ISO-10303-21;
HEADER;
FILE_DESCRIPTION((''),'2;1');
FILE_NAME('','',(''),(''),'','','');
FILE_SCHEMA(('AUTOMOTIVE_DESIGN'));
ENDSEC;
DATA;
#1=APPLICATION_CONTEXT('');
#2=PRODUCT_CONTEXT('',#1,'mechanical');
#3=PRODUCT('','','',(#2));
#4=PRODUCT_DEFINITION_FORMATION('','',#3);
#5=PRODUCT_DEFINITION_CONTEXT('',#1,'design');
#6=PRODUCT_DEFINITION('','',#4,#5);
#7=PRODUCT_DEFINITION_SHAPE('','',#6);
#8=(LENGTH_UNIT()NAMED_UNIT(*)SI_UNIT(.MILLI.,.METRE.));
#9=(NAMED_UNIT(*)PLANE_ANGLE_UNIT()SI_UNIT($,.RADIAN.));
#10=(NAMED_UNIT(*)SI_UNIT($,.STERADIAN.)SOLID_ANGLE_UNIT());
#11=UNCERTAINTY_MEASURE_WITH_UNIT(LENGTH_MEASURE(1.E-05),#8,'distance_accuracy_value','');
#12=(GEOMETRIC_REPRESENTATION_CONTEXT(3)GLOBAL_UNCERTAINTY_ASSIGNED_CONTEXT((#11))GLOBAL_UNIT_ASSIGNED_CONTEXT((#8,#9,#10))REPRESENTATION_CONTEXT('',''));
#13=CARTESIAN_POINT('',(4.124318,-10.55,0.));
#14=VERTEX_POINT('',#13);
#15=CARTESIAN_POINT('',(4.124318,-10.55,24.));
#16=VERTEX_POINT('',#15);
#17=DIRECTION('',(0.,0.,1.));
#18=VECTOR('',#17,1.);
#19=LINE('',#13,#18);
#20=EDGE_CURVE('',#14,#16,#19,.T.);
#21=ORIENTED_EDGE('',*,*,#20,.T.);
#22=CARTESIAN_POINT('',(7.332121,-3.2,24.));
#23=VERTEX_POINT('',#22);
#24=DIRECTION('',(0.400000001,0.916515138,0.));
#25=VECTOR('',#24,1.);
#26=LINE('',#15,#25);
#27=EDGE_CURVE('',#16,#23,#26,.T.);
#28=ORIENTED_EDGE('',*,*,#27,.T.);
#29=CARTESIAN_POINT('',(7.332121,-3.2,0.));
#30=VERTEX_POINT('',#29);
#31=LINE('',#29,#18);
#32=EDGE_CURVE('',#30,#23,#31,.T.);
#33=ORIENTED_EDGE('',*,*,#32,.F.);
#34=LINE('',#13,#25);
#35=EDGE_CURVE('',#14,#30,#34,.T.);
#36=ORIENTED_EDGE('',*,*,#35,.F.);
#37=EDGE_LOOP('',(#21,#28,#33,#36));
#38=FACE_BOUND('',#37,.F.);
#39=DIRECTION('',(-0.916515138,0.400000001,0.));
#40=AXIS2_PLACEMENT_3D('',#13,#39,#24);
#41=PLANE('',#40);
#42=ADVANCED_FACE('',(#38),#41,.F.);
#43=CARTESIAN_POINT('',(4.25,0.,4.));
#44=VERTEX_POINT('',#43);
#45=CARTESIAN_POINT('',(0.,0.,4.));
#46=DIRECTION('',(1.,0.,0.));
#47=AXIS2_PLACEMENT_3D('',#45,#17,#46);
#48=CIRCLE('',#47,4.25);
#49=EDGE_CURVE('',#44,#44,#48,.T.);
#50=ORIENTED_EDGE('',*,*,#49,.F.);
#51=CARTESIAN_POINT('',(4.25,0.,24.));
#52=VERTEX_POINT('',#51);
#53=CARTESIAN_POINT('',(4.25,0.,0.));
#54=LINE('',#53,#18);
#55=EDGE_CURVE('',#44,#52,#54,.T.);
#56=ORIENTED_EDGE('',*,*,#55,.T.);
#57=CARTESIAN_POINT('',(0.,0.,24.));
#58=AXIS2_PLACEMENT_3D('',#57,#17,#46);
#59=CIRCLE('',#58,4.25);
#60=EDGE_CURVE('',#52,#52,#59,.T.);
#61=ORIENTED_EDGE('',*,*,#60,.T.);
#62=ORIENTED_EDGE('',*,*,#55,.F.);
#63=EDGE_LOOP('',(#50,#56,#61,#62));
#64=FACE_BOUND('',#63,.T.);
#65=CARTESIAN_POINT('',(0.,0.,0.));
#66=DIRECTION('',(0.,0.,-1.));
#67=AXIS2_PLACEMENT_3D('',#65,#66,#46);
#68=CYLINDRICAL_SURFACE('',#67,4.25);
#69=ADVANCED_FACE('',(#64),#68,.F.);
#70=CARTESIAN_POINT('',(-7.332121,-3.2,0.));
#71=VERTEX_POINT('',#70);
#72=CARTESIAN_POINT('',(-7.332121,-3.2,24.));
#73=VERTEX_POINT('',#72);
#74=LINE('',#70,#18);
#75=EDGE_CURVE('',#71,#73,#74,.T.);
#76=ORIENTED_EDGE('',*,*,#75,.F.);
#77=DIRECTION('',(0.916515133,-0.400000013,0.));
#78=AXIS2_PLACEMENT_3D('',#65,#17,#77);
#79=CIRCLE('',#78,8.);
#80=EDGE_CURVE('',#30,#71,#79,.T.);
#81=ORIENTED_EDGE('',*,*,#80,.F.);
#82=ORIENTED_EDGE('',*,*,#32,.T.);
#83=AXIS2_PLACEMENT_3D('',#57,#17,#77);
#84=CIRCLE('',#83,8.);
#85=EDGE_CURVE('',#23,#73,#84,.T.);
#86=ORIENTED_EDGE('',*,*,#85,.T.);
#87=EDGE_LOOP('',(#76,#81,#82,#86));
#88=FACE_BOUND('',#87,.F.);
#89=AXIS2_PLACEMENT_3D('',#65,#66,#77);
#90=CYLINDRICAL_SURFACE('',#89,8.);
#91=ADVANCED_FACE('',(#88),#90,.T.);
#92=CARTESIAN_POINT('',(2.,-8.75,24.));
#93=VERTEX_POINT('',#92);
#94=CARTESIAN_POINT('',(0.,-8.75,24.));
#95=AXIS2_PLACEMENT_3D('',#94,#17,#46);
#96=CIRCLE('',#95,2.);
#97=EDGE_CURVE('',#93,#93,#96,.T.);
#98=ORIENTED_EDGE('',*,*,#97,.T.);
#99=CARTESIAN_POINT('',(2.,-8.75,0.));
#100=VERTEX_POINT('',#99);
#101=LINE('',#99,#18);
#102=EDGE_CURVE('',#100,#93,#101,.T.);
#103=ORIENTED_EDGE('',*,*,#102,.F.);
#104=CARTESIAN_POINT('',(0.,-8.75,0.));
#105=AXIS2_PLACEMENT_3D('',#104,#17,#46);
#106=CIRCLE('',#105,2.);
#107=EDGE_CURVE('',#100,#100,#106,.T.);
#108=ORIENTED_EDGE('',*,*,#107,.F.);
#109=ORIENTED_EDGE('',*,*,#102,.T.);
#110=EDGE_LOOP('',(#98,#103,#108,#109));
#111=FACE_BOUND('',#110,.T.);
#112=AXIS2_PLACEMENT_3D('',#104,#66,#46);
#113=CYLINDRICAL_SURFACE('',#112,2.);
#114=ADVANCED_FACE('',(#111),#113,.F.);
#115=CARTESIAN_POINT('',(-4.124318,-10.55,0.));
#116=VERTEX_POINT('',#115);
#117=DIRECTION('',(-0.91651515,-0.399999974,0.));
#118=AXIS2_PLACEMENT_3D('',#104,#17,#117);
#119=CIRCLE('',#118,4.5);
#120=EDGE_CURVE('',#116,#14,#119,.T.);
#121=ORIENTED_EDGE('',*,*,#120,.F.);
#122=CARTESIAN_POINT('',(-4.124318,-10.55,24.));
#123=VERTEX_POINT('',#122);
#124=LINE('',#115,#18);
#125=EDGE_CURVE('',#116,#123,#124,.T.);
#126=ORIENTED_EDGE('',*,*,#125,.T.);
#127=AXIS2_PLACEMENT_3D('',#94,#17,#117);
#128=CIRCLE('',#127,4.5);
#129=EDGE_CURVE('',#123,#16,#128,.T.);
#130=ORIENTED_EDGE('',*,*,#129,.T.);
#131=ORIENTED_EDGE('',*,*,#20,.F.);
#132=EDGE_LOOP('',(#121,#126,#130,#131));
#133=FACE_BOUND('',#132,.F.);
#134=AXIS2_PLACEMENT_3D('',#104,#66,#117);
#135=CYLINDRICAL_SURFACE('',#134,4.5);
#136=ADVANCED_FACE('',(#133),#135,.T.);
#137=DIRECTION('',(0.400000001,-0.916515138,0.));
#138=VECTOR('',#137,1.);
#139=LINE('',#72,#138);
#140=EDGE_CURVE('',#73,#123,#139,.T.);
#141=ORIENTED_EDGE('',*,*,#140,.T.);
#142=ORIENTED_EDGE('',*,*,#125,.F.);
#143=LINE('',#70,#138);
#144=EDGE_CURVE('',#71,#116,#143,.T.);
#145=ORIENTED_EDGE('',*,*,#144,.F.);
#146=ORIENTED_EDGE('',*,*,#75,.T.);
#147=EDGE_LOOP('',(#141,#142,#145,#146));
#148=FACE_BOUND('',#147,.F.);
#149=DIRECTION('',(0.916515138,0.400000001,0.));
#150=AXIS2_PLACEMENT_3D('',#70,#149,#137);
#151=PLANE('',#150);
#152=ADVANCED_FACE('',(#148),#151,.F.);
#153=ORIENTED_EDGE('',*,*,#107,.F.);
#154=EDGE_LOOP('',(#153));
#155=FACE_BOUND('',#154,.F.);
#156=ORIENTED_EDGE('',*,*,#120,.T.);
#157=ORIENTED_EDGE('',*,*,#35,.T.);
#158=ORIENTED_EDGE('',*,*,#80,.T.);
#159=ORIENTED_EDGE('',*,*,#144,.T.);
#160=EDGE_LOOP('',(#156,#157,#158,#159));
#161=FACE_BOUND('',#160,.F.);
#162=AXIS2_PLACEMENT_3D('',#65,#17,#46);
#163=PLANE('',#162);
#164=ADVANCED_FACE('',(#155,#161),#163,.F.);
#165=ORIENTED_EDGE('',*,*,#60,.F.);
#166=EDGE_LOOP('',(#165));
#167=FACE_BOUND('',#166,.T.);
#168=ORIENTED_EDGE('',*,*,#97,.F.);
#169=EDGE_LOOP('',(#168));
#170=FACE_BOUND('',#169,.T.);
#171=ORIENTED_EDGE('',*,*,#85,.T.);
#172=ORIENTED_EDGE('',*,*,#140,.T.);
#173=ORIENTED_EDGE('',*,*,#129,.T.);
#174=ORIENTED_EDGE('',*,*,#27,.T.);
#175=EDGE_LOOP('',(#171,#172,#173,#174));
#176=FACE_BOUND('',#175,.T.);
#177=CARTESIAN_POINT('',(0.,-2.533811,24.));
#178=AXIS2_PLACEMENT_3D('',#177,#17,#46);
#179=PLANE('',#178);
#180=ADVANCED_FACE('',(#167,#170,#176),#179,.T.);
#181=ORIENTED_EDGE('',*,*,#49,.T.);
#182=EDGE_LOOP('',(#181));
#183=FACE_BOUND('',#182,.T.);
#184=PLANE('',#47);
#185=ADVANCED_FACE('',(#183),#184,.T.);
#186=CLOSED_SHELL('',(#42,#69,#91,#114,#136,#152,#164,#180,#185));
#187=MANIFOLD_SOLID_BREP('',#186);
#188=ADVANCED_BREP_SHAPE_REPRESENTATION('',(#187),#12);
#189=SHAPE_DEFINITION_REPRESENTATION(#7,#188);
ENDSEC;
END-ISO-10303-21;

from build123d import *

# Parameters (mm, degrees)
F0_R     = 2
F0_R_2   = 4.25
F1_DEPTH = 24
F2_DEPTH = 4


with BuildPart() as f1:
    # F0 (on Top) → F1 (new body)
    with BuildSketch(Plane.XY):
        with BuildLine():
            Line((4.124318, -10.55), (7.332121, -3.2))
            ThreePointArc((7.332121, -3.2), (0, 8), (-7.332121, -3.2))
            Line((-7.332121, -3.2), (-4.124318, -10.55))
            ThreePointArc((-4.124318, -10.55), (0, -13.25), (4.124318, -10.55))
        make_face()
        with Locations((0, -8.75)):
            Circle(F0_R, mode=Mode.SUBTRACT)
        Circle(F0_R_2, mode=Mode.SUBTRACT)
    extrude(amount=F1_DEPTH)

    # F0 (on Top) → F2 (join)
    with BuildSketch(Plane.XY):
        Circle(F0_R_2)
    extrude(amount=F2_DEPTH)


solid = f1.part
